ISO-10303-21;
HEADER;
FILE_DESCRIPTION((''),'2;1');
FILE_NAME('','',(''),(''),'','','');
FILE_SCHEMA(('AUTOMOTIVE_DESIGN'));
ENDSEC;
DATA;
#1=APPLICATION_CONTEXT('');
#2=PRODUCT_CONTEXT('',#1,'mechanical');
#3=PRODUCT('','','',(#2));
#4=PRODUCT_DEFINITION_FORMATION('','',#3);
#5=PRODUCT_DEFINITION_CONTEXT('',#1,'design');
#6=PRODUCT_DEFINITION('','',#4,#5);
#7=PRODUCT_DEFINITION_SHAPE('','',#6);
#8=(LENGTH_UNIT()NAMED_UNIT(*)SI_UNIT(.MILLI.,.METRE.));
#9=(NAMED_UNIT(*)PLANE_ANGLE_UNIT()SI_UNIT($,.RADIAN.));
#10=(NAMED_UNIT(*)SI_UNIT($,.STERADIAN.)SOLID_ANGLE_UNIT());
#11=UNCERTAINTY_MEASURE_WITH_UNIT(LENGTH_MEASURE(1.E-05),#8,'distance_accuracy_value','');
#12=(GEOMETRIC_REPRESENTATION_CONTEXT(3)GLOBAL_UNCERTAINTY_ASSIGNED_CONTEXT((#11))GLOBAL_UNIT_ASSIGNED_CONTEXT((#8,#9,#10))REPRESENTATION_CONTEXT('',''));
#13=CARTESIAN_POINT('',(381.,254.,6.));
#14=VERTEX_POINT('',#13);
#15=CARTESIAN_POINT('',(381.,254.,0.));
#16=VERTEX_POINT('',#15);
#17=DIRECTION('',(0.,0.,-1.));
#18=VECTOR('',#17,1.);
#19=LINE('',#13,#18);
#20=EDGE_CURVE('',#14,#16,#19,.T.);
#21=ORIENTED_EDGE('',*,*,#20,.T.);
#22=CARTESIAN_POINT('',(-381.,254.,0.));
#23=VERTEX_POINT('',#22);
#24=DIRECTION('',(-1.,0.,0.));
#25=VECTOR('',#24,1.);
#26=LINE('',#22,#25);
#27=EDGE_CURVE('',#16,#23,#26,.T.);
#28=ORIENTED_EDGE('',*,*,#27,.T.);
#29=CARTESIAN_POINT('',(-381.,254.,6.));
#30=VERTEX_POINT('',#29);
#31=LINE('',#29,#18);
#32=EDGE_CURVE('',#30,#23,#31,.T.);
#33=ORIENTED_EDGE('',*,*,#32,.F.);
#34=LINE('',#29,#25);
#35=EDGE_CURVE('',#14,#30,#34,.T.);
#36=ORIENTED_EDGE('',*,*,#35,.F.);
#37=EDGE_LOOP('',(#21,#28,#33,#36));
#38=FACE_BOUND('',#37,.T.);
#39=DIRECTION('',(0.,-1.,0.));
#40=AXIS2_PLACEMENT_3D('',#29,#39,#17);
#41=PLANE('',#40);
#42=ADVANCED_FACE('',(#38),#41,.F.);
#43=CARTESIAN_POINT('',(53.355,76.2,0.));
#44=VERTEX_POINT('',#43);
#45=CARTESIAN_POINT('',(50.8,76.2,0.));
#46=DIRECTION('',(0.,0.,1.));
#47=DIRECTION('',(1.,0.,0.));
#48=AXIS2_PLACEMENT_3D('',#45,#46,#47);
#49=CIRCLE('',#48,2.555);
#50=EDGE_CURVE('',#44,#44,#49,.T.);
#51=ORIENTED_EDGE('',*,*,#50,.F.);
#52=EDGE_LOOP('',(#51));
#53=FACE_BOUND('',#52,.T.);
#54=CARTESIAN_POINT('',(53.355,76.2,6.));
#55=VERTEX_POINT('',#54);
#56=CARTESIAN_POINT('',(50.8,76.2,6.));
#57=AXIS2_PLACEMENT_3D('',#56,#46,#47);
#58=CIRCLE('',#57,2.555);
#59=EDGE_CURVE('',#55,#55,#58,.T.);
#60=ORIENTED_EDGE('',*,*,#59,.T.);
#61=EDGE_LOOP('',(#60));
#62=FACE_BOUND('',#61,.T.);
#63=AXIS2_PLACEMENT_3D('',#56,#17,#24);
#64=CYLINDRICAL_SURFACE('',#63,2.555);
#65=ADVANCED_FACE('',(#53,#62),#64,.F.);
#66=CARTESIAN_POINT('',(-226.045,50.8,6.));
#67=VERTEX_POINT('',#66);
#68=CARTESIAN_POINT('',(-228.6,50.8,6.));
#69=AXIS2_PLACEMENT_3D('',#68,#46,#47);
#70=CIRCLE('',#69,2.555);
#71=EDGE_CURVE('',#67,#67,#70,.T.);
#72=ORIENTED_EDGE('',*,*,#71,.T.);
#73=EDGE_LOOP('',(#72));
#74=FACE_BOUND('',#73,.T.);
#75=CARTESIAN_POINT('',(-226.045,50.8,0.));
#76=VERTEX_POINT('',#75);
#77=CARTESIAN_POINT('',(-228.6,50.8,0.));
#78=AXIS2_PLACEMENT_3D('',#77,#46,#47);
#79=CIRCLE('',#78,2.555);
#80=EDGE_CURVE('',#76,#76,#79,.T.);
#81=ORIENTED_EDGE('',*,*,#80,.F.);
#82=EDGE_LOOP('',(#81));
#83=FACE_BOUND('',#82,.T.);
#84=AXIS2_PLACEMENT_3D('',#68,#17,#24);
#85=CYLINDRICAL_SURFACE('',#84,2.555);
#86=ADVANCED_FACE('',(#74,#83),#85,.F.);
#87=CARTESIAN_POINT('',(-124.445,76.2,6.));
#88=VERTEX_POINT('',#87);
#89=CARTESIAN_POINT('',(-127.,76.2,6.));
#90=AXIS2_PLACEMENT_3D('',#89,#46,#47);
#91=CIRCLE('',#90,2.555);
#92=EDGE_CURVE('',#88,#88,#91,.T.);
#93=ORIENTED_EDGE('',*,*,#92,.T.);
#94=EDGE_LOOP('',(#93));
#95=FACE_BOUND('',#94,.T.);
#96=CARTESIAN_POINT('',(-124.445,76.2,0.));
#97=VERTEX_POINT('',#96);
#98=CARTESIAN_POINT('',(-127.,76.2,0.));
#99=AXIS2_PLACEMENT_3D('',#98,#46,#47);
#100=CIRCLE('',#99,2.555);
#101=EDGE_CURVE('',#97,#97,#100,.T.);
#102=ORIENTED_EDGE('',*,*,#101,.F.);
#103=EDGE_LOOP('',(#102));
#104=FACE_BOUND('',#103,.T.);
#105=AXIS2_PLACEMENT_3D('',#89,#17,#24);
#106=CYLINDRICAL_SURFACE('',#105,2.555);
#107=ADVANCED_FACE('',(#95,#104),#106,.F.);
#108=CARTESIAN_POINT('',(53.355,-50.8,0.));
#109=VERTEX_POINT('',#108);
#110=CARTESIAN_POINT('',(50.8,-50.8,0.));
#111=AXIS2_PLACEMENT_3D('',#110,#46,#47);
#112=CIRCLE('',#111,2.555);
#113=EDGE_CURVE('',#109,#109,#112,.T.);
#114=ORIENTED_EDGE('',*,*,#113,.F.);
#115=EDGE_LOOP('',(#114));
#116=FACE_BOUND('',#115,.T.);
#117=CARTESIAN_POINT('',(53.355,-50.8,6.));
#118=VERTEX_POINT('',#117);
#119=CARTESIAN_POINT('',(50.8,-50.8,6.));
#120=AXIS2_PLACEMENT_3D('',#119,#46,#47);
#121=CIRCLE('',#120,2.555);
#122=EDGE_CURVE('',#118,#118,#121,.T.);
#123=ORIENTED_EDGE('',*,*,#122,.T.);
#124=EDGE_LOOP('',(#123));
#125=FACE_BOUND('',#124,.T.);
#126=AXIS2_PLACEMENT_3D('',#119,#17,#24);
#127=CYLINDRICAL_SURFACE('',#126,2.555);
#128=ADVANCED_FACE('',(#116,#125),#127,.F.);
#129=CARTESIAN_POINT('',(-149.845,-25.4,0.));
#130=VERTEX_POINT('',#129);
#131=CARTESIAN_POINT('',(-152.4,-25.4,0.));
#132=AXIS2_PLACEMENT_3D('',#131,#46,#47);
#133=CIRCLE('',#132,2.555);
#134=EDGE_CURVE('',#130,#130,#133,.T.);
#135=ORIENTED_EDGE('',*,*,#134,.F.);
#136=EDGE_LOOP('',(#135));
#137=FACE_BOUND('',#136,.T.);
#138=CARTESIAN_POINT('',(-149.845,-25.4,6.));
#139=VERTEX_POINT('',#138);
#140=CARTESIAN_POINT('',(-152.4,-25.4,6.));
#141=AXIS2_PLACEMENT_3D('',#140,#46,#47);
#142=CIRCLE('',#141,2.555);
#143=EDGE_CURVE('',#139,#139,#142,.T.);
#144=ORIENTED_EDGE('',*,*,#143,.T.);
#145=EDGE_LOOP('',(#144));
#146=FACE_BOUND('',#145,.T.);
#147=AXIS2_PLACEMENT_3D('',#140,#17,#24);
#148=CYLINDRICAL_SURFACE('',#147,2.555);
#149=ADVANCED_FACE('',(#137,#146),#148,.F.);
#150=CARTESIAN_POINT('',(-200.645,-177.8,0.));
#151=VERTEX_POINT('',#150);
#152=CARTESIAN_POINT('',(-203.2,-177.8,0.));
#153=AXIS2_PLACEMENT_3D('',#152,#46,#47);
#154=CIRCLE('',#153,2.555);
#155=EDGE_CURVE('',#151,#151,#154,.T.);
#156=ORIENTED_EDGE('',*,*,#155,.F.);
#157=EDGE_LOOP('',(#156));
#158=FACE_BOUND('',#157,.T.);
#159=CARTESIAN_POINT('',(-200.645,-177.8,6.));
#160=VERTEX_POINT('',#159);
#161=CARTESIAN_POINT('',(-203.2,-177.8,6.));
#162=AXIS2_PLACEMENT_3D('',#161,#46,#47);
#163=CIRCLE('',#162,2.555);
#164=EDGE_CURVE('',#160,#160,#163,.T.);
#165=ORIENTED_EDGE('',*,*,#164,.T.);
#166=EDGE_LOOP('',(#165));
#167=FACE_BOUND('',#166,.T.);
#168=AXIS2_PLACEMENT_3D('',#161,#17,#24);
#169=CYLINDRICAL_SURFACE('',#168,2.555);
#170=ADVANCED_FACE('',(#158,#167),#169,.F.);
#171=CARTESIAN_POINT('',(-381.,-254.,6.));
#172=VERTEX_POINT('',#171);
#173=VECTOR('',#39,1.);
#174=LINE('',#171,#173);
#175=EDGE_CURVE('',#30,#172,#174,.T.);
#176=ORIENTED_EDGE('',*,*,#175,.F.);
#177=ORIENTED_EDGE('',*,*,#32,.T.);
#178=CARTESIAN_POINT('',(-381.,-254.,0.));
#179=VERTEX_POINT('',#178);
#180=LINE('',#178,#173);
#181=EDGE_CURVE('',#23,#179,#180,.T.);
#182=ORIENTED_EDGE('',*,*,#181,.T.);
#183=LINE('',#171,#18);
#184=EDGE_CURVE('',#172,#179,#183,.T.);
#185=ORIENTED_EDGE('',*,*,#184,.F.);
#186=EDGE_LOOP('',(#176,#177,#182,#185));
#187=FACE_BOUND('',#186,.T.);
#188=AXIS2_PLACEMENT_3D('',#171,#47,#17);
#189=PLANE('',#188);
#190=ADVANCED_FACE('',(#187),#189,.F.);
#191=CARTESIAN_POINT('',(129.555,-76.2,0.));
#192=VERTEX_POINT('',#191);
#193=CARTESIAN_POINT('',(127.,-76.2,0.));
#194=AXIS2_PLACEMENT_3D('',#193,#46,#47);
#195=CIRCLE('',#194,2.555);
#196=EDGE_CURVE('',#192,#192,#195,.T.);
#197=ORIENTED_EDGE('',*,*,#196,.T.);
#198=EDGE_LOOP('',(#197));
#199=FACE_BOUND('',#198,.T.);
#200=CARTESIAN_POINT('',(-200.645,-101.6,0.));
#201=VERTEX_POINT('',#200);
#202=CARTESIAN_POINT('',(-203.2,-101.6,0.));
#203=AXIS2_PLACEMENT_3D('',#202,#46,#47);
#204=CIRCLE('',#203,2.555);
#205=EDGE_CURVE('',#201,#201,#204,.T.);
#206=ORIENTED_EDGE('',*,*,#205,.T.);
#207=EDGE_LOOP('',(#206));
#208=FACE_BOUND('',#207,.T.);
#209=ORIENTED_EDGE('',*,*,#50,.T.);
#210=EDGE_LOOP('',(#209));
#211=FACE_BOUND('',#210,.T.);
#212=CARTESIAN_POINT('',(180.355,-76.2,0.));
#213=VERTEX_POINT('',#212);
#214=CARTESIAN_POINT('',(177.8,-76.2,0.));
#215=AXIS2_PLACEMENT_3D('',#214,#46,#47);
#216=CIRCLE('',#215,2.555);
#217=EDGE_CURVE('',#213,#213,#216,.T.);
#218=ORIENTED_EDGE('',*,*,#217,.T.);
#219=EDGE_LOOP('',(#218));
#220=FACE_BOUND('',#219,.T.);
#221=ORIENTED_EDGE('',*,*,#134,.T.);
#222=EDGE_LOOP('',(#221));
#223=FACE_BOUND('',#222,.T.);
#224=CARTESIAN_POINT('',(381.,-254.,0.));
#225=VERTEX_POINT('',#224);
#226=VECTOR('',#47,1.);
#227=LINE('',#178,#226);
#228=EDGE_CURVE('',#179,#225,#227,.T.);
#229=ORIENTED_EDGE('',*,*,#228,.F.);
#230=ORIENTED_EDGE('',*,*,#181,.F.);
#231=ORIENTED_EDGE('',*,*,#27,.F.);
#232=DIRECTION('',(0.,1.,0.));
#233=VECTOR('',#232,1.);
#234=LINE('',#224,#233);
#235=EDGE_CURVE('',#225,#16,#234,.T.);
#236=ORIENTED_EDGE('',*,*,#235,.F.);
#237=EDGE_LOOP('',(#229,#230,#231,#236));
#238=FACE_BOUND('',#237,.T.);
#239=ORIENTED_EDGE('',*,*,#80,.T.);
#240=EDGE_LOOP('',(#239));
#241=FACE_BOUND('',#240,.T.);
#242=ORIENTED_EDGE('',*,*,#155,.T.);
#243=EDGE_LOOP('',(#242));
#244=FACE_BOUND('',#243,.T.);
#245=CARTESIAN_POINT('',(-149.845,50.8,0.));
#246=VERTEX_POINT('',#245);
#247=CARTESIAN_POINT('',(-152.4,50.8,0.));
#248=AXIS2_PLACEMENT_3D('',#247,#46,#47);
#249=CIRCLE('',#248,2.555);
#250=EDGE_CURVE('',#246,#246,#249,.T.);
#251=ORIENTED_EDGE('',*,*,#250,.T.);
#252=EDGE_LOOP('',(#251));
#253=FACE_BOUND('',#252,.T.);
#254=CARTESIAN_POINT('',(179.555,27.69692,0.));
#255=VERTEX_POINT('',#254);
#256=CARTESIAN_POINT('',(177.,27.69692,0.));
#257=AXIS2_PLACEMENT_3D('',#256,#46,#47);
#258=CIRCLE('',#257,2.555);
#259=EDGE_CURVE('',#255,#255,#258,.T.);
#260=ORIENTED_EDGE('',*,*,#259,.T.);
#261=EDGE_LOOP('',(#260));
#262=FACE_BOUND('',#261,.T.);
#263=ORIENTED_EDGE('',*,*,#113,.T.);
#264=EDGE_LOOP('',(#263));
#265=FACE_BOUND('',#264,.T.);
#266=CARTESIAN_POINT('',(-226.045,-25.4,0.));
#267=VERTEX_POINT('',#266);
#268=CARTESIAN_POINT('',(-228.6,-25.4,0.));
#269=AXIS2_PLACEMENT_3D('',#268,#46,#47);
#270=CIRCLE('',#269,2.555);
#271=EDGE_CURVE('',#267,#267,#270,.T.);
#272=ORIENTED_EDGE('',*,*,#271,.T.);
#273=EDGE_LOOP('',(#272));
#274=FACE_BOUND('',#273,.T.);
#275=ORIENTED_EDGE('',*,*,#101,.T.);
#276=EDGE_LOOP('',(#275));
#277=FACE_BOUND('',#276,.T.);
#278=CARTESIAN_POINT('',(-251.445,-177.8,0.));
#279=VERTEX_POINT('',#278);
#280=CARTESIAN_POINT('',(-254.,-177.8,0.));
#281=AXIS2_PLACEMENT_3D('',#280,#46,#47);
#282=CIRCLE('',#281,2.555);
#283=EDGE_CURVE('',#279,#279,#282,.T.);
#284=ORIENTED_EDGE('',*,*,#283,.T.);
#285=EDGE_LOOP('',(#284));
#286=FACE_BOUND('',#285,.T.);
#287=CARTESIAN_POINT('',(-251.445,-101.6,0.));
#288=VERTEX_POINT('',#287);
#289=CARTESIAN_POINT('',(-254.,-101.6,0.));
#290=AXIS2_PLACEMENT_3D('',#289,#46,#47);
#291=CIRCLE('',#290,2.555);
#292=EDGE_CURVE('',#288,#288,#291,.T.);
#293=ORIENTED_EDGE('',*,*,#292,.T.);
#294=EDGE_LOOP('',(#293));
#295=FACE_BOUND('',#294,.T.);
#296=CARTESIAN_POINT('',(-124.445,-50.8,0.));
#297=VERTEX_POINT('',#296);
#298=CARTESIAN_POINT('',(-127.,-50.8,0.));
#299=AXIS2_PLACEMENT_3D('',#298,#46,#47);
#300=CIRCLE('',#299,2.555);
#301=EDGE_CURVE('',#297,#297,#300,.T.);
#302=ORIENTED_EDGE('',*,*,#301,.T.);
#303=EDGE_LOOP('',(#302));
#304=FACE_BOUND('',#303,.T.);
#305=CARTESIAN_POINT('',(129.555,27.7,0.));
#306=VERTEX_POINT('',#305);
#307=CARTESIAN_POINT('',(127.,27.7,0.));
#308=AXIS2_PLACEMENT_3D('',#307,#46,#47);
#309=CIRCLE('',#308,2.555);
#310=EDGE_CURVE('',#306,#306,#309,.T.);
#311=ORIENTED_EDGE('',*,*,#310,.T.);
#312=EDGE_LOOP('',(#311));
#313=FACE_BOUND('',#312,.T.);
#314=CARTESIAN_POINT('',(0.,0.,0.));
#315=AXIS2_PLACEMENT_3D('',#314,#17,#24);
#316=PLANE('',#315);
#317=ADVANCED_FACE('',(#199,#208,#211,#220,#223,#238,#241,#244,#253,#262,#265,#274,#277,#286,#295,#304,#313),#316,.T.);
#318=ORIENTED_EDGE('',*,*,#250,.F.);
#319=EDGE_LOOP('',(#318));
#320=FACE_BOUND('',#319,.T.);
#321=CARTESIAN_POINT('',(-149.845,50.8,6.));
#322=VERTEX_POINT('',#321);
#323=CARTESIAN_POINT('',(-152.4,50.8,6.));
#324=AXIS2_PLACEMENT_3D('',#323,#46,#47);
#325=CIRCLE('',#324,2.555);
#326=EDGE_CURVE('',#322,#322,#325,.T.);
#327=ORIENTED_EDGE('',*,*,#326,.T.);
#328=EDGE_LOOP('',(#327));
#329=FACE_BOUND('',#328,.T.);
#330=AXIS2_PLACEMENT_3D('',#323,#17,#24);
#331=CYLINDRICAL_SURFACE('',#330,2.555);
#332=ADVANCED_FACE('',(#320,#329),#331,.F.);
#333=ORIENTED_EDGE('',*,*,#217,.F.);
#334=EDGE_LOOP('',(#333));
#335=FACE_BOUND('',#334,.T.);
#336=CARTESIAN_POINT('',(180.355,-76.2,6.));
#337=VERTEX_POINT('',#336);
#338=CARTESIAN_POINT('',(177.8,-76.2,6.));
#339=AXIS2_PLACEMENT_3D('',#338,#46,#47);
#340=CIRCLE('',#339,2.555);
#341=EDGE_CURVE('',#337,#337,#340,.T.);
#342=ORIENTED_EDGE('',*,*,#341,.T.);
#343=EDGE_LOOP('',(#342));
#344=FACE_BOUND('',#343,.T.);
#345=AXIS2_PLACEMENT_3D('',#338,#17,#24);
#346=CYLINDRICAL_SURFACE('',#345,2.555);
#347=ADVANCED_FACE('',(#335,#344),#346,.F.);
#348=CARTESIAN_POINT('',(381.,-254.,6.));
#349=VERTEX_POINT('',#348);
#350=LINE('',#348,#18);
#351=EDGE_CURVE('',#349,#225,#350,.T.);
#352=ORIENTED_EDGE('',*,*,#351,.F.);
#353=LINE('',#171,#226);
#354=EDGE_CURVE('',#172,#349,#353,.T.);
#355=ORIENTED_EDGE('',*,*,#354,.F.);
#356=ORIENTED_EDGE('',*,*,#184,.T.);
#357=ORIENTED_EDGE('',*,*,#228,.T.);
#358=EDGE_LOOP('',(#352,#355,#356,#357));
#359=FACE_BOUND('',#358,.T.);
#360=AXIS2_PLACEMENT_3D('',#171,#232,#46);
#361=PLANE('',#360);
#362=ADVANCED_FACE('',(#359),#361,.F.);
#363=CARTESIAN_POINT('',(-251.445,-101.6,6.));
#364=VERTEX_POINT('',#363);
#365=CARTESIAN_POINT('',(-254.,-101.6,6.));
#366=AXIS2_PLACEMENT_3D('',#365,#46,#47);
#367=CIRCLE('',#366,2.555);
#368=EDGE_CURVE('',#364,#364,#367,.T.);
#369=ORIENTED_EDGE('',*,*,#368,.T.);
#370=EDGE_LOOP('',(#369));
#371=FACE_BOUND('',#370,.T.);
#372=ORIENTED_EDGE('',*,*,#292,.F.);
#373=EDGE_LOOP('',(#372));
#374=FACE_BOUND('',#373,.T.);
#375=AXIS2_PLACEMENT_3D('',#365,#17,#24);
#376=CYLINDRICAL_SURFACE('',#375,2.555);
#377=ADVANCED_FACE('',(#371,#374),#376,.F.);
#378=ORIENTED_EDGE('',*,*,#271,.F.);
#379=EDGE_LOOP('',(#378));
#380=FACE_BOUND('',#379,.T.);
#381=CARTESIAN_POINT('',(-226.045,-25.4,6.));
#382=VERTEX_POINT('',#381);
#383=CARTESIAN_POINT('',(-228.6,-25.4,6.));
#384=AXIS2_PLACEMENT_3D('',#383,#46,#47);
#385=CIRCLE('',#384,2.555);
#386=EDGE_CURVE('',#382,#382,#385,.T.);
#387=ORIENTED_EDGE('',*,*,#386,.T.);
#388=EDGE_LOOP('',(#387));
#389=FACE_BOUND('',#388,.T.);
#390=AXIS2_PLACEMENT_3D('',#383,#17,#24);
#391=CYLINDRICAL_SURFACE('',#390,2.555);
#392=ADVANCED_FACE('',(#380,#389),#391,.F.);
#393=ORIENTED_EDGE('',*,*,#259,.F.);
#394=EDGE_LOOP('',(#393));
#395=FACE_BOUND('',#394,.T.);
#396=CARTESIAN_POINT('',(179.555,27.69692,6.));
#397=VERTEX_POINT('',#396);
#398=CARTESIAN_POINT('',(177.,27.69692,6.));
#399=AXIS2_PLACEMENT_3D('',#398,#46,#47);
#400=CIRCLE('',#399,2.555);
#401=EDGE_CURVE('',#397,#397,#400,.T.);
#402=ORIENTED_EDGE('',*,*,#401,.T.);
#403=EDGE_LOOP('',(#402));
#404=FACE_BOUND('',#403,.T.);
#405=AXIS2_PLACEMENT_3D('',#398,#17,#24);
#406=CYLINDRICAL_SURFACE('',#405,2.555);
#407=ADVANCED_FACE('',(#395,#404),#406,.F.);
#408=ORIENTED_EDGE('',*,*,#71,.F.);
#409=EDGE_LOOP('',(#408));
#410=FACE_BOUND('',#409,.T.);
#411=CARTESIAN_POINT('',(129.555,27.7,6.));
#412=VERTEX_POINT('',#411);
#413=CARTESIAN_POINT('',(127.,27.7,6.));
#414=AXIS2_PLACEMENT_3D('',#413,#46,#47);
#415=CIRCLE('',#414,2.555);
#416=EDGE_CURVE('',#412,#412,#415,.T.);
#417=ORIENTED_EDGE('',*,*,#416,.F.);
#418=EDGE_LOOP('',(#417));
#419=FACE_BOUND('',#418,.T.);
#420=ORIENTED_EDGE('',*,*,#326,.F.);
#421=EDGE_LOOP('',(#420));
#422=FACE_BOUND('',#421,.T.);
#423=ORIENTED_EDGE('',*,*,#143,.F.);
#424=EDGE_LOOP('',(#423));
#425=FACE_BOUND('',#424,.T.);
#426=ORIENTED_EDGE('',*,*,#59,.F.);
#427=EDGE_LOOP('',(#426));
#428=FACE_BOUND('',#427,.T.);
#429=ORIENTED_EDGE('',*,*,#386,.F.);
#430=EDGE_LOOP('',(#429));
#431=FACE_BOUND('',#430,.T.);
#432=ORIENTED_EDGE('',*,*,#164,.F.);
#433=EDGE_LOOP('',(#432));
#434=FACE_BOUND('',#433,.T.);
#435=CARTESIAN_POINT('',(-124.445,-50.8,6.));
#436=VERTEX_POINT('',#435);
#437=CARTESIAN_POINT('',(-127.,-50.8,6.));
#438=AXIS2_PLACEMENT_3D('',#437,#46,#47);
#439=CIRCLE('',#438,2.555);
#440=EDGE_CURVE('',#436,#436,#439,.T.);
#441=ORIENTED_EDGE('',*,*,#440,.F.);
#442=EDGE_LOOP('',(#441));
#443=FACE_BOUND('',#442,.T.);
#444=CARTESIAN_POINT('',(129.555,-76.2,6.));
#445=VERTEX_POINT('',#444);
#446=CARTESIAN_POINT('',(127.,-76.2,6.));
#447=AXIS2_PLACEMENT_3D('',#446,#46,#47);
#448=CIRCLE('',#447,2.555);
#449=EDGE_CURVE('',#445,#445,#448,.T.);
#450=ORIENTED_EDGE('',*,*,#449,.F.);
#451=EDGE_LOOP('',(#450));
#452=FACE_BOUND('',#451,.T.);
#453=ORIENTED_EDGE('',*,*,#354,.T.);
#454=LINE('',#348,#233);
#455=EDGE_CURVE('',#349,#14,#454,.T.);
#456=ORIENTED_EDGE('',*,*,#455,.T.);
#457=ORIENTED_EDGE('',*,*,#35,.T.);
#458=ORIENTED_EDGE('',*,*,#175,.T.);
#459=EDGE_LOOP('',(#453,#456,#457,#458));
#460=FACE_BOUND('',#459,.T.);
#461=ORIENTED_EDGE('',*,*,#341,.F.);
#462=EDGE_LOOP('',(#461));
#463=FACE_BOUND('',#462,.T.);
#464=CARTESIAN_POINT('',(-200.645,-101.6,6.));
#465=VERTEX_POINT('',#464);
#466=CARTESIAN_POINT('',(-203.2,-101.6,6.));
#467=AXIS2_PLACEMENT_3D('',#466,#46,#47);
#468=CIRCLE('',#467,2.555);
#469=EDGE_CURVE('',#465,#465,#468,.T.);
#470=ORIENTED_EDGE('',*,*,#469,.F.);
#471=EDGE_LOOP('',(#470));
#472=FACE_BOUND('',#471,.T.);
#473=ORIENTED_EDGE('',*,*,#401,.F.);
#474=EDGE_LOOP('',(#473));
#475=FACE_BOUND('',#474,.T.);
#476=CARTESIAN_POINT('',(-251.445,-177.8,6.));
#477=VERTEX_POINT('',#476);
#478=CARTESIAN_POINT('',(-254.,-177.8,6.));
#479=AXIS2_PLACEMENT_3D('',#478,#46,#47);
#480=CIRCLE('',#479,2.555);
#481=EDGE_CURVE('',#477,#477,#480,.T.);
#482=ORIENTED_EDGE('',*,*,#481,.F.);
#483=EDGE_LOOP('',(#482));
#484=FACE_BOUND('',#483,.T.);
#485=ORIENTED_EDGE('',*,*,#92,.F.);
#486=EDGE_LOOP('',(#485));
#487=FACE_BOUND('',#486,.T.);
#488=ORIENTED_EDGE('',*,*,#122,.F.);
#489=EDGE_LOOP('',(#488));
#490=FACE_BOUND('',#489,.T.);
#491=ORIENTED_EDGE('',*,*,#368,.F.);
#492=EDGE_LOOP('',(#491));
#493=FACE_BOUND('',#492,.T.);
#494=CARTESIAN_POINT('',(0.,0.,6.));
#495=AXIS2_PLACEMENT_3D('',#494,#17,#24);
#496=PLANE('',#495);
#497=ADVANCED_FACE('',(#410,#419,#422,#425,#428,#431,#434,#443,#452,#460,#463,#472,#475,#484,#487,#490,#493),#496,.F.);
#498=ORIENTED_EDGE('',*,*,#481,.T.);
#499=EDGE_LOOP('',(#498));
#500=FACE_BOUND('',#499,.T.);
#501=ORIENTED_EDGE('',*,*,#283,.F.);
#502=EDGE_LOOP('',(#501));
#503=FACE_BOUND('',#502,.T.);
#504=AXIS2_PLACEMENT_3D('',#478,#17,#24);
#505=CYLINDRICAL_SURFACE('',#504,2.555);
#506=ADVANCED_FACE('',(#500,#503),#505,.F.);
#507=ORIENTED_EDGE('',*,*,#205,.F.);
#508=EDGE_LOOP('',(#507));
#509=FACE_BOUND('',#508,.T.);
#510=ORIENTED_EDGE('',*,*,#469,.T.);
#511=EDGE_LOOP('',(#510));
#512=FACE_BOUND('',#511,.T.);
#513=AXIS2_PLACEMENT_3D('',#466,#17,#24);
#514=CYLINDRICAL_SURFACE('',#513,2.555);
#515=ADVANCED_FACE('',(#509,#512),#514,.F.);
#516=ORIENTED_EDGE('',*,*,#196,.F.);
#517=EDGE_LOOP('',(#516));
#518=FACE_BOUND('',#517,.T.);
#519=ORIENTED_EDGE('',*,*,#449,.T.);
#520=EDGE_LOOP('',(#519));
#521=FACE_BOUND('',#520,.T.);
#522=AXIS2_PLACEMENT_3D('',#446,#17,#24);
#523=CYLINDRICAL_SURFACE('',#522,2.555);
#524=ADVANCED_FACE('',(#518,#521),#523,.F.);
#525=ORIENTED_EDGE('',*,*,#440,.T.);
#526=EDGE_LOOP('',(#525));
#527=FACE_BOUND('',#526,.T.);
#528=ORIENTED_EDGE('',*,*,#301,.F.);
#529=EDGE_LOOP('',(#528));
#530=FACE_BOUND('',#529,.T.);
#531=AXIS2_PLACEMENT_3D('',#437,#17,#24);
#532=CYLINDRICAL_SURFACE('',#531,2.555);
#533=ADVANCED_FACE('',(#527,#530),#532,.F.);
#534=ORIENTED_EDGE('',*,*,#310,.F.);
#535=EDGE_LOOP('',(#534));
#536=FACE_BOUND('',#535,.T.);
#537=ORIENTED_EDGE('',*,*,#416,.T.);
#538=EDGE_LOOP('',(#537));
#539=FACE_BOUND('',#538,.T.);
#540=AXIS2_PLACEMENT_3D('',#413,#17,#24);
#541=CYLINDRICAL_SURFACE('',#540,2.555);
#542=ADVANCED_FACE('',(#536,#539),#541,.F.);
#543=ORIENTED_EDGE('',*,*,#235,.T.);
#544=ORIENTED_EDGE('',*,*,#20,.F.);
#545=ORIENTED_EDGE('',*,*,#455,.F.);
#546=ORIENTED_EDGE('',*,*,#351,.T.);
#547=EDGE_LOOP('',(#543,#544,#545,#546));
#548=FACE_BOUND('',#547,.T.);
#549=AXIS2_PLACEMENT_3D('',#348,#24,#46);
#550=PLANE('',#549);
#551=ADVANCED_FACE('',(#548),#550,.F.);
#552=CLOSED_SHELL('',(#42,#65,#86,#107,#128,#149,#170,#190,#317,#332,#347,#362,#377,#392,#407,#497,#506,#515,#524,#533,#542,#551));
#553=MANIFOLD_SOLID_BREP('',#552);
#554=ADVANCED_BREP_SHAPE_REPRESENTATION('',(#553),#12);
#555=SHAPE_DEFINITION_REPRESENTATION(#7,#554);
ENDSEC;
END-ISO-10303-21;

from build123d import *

# Parameters (mm, degrees)
SKETCH2_W           = 762
SKETCH2_H           = 508
SKETCH2_R           = 2.555
BOSS_EXTRUDE1_DEPTH = 6


with BuildPart() as part:
    # Sketch2 → Boss-Extrude1 (new body)
    with BuildSketch(Plane.XY):
        Rectangle(SKETCH2_W, SKETCH2_H)
        with Locations((-228.6, 50.8)):
            Circle(SKETCH2_R, mode=Mode.SUBTRACT)
        with Locations((-228.6, -25.4)):
            Circle(SKETCH2_R, mode=Mode.SUBTRACT)
        with Locations((-152.4, 50.8)):
            Circle(SKETCH2_R, mode=Mode.SUBTRACT)
        with Locations((-152.4, -25.4)):
            Circle(SKETCH2_R, mode=Mode.SUBTRACT)
        with Locations((-127, 76.2)):
            Circle(SKETCH2_R, mode=Mode.SUBTRACT)
        with Locations((-127, -50.8)):
            Circle(SKETCH2_R, mode=Mode.SUBTRACT)
        with Locations((50.8, 76.2)):
            Circle(SKETCH2_R, mode=Mode.SUBTRACT)
        with Locations((50.8, -50.8)):
            Circle(SKETCH2_R, mode=Mode.SUBTRACT)
        with Locations((-254, -177.8)):
            Circle(SKETCH2_R, mode=Mode.SUBTRACT)
        with Locations((-203.2, -177.8)):
            Circle(SKETCH2_R, mode=Mode.SUBTRACT)
        with Locations((-254, -101.6)):
            Circle(SKETCH2_R, mode=Mode.SUBTRACT)
        with Locations((-203.2, -101.6)):
            Circle(SKETCH2_R, mode=Mode.SUBTRACT)
        with Locations((127, -76.2)):
            Circle(SKETCH2_R, mode=Mode.SUBTRACT)
        with Locations((177.8, -76.2)):
            Circle(SKETCH2_R, mode=Mode.SUBTRACT)
        with Locations((127, 27.7)):
            Circle(SKETCH2_R, mode=Mode.SUBTRACT)
        with Locations((177, 27.69692007)):
            Circle(SKETCH2_R, mode=Mode.SUBTRACT)
    extrude(amount=BOSS_EXTRUDE1_DEPTH)


solid = part.part
